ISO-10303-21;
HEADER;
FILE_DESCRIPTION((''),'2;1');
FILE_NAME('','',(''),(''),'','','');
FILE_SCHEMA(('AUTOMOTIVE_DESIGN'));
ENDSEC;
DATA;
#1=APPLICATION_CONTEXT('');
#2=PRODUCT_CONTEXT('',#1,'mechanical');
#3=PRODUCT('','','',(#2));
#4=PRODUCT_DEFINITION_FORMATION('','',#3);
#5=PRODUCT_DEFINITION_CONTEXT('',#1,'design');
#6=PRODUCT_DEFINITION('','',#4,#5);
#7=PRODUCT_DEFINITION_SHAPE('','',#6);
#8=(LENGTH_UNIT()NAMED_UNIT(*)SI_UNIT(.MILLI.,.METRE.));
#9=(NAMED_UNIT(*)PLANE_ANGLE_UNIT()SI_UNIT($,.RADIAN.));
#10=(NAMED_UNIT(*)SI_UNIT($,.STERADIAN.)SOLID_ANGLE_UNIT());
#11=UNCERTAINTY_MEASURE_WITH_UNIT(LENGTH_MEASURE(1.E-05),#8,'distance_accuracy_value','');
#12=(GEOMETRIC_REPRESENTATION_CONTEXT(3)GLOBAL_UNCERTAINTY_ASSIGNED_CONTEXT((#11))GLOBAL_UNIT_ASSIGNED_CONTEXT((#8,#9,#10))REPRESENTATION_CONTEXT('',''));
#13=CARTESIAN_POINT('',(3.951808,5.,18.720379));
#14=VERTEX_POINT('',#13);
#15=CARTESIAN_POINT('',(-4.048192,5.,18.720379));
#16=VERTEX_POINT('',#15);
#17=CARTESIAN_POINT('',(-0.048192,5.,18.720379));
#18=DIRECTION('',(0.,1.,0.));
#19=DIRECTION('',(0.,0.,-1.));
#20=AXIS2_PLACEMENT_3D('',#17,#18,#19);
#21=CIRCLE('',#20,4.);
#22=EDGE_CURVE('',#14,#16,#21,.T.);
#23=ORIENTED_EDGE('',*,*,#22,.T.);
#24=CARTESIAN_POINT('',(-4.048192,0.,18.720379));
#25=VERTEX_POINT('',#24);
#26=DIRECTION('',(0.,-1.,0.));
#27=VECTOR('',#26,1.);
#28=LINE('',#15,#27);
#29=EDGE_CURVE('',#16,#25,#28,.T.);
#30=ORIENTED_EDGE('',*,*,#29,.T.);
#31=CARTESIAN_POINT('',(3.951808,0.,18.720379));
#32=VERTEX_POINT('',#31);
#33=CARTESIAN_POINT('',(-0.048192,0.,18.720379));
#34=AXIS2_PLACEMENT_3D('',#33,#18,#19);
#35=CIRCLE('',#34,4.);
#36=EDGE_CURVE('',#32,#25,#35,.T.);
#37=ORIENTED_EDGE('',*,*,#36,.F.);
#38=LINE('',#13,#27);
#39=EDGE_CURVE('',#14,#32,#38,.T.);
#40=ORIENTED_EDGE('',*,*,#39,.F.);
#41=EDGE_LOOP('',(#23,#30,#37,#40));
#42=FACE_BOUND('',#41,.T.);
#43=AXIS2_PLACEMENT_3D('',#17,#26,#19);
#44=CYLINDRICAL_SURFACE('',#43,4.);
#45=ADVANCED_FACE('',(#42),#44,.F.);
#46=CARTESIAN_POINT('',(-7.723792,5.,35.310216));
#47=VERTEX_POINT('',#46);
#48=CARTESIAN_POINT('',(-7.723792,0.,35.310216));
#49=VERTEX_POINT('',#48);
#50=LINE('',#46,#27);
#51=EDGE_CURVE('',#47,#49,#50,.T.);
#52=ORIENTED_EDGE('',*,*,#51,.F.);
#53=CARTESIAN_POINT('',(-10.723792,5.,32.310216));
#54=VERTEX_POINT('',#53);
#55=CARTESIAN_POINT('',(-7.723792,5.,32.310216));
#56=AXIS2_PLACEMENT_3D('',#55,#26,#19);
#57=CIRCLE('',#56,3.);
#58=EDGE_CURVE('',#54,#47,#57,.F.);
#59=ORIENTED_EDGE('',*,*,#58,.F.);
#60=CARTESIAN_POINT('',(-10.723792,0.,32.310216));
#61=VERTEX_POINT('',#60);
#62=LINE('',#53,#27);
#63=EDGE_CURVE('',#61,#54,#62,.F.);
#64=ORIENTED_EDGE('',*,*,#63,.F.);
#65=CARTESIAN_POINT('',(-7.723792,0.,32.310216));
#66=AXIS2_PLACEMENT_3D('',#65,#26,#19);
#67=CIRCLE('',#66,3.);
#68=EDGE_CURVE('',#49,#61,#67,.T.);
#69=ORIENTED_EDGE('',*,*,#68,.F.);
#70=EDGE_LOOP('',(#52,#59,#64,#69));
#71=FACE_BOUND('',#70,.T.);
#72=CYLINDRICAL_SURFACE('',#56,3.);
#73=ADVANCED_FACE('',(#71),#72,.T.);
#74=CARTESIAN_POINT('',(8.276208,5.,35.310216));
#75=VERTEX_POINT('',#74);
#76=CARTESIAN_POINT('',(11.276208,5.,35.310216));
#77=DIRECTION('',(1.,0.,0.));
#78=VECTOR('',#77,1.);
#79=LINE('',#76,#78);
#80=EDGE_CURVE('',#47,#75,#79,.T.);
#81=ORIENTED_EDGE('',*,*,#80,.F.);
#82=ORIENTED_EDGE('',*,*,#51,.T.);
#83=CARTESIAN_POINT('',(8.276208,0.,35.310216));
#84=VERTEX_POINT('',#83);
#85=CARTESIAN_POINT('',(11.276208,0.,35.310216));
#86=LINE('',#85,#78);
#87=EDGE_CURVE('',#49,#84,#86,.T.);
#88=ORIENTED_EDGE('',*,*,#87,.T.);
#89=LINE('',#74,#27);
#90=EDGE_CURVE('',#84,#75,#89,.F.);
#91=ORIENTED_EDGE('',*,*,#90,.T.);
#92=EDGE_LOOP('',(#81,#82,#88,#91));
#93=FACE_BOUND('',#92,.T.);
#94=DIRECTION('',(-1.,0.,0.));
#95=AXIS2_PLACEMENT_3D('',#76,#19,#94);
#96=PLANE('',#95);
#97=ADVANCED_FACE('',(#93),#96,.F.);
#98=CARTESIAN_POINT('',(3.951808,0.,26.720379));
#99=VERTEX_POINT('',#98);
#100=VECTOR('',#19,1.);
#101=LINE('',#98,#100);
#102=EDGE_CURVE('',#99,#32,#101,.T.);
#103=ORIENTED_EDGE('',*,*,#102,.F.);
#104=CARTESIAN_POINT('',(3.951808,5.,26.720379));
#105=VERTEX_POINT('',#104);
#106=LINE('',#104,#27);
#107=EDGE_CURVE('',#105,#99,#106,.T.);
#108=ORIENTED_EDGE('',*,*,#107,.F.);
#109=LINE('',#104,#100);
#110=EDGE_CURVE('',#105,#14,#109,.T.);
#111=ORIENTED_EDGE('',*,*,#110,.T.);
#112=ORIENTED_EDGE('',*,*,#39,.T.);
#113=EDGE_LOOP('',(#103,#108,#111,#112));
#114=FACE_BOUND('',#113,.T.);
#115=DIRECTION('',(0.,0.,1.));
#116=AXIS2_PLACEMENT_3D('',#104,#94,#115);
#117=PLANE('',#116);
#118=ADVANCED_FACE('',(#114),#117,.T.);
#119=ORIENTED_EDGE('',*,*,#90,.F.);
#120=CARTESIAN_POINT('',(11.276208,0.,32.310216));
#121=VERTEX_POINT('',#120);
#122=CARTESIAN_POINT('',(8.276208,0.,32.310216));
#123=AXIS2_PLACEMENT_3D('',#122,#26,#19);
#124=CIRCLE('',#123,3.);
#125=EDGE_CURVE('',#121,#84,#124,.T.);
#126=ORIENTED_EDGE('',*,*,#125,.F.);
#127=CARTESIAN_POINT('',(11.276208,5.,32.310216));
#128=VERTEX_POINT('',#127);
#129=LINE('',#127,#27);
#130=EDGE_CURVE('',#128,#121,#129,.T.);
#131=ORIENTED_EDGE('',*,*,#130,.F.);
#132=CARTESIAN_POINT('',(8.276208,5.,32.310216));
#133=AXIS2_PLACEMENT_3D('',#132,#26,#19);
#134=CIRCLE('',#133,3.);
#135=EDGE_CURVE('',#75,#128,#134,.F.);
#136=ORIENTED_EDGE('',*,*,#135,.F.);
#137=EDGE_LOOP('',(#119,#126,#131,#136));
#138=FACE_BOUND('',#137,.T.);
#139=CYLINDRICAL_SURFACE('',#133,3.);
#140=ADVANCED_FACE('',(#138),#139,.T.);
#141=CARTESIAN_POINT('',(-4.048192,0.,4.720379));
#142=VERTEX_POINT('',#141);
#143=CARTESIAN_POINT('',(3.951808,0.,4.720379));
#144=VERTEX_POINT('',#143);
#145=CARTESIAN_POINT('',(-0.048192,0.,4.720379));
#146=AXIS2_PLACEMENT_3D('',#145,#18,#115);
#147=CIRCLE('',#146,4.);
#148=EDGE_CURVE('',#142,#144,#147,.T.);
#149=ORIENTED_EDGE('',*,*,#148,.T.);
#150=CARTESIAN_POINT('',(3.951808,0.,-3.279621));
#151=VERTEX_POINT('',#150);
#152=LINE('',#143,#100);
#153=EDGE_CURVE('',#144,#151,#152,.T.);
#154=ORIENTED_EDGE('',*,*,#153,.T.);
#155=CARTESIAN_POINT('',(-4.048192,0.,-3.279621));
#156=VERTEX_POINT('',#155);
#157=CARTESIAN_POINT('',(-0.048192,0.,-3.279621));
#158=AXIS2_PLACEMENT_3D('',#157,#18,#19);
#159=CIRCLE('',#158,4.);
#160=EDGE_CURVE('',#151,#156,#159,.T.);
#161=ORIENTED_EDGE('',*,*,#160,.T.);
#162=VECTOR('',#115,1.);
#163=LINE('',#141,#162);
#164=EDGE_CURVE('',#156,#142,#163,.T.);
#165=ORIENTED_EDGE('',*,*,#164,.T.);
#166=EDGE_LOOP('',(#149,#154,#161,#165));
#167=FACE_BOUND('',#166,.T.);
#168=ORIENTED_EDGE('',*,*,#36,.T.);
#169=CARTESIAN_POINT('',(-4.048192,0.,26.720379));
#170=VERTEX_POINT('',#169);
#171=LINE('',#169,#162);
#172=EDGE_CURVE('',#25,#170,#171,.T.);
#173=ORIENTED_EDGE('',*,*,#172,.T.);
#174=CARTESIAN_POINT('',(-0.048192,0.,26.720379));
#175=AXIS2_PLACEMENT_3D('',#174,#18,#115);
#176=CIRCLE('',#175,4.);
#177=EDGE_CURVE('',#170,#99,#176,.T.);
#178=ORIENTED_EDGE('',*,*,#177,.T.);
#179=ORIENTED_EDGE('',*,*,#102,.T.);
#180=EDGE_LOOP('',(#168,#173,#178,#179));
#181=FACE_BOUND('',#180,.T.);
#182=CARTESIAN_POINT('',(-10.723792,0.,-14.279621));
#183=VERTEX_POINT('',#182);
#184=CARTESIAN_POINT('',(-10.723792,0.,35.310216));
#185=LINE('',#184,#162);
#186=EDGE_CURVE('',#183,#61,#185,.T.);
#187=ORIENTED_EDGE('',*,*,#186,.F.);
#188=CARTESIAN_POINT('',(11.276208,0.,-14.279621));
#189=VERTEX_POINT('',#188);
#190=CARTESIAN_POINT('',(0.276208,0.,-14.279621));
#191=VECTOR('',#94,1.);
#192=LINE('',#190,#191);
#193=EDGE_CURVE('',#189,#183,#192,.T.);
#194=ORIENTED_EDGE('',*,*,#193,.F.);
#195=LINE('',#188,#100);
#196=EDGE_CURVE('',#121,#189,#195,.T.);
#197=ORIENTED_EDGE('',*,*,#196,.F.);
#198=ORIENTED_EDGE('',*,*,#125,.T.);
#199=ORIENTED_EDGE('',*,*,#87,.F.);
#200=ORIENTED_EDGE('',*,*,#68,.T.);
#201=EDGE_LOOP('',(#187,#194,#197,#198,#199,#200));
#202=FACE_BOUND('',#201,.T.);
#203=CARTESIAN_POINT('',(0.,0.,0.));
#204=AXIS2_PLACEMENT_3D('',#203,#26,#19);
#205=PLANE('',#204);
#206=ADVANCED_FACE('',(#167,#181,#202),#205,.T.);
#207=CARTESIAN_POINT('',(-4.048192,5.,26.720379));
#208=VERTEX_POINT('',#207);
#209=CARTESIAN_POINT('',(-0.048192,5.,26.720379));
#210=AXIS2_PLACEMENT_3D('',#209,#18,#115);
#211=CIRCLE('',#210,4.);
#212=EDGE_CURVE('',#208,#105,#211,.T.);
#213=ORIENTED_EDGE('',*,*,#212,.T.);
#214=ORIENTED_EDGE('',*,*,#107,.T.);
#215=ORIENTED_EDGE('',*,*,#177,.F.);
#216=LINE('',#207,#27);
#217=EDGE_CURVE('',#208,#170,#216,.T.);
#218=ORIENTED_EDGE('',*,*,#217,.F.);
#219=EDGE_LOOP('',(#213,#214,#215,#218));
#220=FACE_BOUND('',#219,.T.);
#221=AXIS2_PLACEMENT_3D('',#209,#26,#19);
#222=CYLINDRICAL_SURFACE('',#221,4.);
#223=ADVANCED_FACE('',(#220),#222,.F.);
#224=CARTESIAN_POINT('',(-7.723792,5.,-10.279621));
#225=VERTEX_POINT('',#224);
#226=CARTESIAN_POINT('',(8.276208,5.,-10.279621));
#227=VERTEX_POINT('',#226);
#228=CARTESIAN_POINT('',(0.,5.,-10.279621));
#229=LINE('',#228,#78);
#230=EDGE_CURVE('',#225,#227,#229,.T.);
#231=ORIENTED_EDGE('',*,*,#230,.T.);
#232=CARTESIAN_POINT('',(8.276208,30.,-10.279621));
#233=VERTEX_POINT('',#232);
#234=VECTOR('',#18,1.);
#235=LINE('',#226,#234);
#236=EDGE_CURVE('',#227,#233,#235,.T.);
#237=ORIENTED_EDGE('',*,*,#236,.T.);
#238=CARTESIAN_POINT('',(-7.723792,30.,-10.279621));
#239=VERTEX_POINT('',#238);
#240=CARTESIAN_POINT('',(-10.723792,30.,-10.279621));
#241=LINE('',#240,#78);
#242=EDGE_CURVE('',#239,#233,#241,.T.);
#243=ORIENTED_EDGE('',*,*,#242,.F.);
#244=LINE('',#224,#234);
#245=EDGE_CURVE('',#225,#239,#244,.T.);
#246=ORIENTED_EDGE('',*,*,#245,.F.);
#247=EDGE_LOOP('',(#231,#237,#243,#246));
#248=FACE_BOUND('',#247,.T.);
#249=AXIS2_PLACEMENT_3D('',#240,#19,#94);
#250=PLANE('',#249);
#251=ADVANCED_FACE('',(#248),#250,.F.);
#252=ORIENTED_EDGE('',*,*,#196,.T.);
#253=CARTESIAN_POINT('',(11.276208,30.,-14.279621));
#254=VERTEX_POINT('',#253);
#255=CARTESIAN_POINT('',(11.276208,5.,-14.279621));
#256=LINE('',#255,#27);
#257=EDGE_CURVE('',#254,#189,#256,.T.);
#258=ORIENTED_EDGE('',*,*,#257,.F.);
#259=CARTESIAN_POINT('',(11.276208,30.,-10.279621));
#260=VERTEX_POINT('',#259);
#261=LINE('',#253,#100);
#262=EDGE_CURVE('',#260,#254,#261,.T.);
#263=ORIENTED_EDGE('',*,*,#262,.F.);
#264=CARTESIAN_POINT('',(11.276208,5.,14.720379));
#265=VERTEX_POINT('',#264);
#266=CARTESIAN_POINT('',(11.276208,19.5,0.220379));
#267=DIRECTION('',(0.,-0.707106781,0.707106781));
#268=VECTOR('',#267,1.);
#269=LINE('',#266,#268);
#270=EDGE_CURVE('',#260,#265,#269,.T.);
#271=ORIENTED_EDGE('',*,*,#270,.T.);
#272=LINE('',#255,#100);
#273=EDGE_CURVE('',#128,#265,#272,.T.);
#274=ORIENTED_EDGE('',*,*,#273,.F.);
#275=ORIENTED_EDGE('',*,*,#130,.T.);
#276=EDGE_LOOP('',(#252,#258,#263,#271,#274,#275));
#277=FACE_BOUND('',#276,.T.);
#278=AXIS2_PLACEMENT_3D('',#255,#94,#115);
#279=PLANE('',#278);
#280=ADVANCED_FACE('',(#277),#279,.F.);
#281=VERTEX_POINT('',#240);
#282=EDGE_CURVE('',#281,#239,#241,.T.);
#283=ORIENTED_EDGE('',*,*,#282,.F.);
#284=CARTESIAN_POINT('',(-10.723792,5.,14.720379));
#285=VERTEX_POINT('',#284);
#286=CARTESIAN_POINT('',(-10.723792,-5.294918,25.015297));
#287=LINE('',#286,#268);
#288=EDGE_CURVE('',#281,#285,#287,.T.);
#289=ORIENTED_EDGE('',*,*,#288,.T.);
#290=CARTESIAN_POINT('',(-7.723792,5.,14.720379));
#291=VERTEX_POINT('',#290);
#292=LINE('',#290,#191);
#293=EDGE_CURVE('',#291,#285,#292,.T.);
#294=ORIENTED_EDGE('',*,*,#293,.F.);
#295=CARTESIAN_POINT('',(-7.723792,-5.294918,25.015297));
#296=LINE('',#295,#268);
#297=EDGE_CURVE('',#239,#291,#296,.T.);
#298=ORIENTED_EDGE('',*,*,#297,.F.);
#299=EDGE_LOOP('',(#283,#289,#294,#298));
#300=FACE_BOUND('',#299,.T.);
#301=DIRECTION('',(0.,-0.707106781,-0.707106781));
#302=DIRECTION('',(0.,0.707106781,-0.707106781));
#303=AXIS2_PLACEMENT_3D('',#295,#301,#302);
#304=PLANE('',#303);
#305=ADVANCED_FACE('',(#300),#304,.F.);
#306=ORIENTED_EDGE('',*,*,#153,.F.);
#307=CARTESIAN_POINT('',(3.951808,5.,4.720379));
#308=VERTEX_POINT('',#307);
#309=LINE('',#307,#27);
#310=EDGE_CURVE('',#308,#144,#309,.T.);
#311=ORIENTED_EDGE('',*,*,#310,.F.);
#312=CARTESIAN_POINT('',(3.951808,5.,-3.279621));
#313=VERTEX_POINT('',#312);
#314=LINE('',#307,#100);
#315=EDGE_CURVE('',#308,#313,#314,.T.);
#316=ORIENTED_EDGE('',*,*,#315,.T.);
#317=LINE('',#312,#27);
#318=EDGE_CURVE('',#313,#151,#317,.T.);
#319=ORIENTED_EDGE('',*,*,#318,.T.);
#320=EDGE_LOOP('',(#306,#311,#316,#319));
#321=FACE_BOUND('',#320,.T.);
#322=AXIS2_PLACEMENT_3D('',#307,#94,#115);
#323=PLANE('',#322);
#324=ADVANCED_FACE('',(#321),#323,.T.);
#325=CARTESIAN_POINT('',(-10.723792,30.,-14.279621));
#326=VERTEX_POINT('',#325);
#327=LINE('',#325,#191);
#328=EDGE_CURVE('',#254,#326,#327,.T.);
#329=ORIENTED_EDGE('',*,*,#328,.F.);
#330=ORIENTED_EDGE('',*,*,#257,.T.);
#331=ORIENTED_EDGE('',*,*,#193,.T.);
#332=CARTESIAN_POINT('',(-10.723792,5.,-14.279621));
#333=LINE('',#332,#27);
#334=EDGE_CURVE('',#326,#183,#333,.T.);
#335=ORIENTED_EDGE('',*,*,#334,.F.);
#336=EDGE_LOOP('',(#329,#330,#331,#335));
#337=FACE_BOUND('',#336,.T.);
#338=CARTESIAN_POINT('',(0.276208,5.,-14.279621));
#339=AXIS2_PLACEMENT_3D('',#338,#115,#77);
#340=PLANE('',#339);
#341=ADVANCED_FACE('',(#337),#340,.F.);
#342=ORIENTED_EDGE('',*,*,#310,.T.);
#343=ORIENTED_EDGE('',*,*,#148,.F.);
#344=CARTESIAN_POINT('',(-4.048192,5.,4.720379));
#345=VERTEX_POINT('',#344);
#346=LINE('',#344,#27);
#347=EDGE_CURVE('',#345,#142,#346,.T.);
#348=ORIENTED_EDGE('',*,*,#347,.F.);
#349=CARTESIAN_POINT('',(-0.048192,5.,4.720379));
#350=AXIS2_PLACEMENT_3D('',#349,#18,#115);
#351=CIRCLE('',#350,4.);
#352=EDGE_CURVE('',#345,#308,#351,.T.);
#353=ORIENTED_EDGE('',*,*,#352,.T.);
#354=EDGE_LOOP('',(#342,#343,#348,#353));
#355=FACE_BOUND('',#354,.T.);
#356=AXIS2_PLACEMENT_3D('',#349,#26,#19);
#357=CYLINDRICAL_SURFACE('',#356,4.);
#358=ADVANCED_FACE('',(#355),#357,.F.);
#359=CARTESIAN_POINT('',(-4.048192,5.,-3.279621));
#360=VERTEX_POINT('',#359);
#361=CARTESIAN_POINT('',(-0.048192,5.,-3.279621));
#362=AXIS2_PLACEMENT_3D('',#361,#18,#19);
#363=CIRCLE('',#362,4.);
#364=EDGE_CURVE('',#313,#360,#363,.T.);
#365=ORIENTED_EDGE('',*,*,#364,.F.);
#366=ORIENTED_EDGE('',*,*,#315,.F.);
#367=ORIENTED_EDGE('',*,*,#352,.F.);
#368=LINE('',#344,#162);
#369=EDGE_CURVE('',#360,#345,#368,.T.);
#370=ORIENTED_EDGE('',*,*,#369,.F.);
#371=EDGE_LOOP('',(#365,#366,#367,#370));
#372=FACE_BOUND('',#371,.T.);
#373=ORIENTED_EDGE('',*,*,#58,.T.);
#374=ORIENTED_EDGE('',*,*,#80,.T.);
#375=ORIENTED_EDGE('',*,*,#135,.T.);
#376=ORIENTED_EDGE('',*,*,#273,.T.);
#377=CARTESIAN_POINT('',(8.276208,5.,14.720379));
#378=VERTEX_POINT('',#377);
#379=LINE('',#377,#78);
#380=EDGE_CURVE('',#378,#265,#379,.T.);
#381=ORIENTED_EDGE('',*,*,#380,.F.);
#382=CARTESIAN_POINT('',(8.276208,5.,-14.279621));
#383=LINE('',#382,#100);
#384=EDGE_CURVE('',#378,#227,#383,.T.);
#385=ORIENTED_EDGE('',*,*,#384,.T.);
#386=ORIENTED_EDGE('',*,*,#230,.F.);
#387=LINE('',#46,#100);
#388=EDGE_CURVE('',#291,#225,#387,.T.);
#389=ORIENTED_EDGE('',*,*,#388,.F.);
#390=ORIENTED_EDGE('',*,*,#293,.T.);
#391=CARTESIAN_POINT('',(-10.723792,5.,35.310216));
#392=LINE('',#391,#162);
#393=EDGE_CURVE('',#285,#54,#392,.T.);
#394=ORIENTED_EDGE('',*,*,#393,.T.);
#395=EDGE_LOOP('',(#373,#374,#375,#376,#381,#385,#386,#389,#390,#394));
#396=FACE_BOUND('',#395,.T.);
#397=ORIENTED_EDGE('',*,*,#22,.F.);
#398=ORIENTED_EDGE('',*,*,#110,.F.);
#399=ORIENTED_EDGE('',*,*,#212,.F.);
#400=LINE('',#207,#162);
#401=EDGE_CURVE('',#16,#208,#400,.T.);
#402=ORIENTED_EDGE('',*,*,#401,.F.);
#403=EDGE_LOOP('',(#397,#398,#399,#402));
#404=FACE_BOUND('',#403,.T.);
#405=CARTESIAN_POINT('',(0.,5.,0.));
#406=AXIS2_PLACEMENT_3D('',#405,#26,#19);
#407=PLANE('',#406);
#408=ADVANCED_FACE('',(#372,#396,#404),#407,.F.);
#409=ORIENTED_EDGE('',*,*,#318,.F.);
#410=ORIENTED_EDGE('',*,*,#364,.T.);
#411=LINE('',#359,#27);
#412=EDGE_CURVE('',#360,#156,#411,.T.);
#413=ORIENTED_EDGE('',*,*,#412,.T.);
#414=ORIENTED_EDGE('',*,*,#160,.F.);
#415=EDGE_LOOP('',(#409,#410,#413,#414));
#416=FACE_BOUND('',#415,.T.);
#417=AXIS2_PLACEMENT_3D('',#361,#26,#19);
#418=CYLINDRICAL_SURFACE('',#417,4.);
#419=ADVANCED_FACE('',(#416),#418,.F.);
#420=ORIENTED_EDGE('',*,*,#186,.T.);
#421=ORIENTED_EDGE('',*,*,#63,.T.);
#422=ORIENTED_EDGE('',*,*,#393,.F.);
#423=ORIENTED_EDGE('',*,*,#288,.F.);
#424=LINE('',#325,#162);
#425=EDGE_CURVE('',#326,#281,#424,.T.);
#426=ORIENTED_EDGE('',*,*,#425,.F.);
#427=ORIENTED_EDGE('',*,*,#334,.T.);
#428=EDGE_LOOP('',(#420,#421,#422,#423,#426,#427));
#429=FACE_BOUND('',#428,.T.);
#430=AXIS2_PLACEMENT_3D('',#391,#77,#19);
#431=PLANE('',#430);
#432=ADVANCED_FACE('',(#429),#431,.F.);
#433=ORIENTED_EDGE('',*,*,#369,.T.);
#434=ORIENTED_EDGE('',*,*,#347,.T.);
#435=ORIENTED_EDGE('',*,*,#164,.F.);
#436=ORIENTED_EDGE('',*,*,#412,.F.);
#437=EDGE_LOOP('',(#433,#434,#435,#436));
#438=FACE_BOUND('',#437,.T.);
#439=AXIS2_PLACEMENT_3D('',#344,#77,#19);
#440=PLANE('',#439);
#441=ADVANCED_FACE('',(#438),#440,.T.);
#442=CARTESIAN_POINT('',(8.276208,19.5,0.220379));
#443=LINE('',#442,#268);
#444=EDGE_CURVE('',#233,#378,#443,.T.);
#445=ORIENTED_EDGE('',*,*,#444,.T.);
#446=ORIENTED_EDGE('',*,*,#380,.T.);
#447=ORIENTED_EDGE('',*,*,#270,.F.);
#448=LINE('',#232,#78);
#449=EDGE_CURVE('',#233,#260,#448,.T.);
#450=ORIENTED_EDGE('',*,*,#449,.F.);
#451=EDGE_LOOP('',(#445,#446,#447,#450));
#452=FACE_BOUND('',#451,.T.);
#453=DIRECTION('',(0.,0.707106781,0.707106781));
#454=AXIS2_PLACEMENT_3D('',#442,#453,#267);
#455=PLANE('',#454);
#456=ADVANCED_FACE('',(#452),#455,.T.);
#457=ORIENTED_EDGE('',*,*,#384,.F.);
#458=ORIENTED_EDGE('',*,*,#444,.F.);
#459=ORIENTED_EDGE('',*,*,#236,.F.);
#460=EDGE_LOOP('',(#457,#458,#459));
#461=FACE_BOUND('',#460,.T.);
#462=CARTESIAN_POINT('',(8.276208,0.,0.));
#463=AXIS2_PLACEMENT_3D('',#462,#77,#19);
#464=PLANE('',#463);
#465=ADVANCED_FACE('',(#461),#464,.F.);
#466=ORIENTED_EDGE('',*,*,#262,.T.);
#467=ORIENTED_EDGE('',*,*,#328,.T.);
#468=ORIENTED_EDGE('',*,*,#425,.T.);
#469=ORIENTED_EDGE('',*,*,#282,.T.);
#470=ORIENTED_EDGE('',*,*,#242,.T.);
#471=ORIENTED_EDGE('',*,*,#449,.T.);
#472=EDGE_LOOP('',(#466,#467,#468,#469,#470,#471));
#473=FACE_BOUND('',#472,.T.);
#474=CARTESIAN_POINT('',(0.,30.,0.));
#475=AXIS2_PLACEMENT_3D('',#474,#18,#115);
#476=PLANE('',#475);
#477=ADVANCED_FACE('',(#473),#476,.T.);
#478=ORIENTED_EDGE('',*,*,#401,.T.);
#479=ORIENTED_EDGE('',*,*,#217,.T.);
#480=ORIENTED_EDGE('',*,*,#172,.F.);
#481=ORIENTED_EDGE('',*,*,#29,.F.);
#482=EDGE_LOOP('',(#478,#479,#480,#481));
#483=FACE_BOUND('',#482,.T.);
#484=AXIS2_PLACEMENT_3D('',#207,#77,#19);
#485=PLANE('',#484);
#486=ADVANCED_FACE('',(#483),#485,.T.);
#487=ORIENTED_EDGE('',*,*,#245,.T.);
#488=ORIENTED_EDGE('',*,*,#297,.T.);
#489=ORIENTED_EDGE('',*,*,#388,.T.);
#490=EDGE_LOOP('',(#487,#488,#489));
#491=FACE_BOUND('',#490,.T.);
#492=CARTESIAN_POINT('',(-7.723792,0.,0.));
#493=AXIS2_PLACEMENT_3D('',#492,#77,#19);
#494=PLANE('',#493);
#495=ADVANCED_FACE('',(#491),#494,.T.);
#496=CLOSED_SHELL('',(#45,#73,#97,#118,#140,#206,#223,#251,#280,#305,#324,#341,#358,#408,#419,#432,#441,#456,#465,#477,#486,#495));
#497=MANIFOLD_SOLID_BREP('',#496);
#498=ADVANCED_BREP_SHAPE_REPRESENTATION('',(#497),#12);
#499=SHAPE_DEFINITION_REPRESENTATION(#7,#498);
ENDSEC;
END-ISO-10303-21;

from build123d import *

# Parameters (mm, degrees)
BOSS_EXTRUDE1_DEPTH = 5
SKETCH2_W           = 22
SKETCH2_H           = 4
BOSS_EXTRUDE2_DEPTH = 30
BOSS_EXTRUDE3_START = -10.723792
BOSS_EXTRUDE3_DEPTH = 3
BOSS_EXTRUDE4_START = 11.276208
BOSS_EXTRUDE4_DEPTH = 3
FILLET1_R           = 3


with BuildPart() as part:
    # Sketch1 → Boss-Extrude1 (new body)
    with BuildSketch(Plane(origin=(0, 0, 0), x_dir=(1, 0, 0), z_dir=(0, 1, 0))):
        Polygon((0.27620797, 14.279620853), (11.27620797, 14.279620853), (11.27620797, -35.310215712), (-10.72379203, -35.310215712), (-10.72379203, 14.279620853), align=None)
        with BuildLine():
            Line((-4.048192251, -4.720379147), (-4.048192251, 3.279620853))
            ThreePointArc((-4.048192251, 3.279620853), (-0.048192251, 7.279620853), (3.951807749, 3.279620853))
            Line((3.951807749, 3.279620853), (3.951807749, -4.720379147))
            ThreePointArc((3.951807749, -4.720379147), (-0.048192251, -8.720379147), (-4.048192251, -4.720379147))
        make_face(mode=Mode.SUBTRACT)
        with BuildLine():
            Line((-4.048192251, -26.720379147), (-4.048192251, -18.720379147))
            ThreePointArc((-4.048192251, -18.720379147), (-0.048192251, -14.720379147), (3.951807749, -18.720379147))
            Line((3.951807749, -18.720379147), (3.951807749, -26.720379147))
            ThreePointArc((3.951807749, -26.720379147), (-0.048192251, -30.720379147), (-4.048192251, -26.720379147))
        make_face(mode=Mode.SUBTRACT)
    extrude(amount=BOSS_EXTRUDE1_DEPTH)

    # Sketch2 → Boss-Extrude2 (add)
    with BuildSketch(Plane(origin=(0, 0, 0), x_dir=(1, 0, 0), z_dir=(0, 1, 0))):
        with Locations((0.27620797, 12.279620853)):
            Rectangle(SKETCH2_W, SKETCH2_H)
    extrude(amount=BOSS_EXTRUDE2_DEPTH)

    # Sketch6 → Boss-Extrude3 (add)
    with BuildSketch(Plane(origin=(0, 0, 0), x_dir=(0, 0, -1), z_dir=(1, 0, 0)).offset(BOSS_EXTRUDE3_START)):
        Polygon((10.279620853, 30), (10.279620853, 5), (-14.720379147, 5), align=None)
    extrude(amount=BOSS_EXTRUDE3_DEPTH)

    # Sketch6<2> → Boss-Extrude4 (add)
    with BuildSketch(Plane(origin=(0, 0, 0), x_dir=(0, 0, -1), z_dir=(1, 0, 0)).offset(BOSS_EXTRUDE4_START)):
        Polygon((10.279620853, 30), (10.279620853, 5), (-14.720379147, 5), align=None)
    extrude(amount=-BOSS_EXTRUDE4_DEPTH)

    # Fillet1
    fillet1_edges = [part.edges().sort_by_distance(p)[0] for p in [
        (11.27620797, 2.5, 35.310215712),
        (-10.72379203, 2.5, 35.310215712),
    ]]
    fillet(fillet1_edges, radius=FILLET1_R)


solid = part.part
